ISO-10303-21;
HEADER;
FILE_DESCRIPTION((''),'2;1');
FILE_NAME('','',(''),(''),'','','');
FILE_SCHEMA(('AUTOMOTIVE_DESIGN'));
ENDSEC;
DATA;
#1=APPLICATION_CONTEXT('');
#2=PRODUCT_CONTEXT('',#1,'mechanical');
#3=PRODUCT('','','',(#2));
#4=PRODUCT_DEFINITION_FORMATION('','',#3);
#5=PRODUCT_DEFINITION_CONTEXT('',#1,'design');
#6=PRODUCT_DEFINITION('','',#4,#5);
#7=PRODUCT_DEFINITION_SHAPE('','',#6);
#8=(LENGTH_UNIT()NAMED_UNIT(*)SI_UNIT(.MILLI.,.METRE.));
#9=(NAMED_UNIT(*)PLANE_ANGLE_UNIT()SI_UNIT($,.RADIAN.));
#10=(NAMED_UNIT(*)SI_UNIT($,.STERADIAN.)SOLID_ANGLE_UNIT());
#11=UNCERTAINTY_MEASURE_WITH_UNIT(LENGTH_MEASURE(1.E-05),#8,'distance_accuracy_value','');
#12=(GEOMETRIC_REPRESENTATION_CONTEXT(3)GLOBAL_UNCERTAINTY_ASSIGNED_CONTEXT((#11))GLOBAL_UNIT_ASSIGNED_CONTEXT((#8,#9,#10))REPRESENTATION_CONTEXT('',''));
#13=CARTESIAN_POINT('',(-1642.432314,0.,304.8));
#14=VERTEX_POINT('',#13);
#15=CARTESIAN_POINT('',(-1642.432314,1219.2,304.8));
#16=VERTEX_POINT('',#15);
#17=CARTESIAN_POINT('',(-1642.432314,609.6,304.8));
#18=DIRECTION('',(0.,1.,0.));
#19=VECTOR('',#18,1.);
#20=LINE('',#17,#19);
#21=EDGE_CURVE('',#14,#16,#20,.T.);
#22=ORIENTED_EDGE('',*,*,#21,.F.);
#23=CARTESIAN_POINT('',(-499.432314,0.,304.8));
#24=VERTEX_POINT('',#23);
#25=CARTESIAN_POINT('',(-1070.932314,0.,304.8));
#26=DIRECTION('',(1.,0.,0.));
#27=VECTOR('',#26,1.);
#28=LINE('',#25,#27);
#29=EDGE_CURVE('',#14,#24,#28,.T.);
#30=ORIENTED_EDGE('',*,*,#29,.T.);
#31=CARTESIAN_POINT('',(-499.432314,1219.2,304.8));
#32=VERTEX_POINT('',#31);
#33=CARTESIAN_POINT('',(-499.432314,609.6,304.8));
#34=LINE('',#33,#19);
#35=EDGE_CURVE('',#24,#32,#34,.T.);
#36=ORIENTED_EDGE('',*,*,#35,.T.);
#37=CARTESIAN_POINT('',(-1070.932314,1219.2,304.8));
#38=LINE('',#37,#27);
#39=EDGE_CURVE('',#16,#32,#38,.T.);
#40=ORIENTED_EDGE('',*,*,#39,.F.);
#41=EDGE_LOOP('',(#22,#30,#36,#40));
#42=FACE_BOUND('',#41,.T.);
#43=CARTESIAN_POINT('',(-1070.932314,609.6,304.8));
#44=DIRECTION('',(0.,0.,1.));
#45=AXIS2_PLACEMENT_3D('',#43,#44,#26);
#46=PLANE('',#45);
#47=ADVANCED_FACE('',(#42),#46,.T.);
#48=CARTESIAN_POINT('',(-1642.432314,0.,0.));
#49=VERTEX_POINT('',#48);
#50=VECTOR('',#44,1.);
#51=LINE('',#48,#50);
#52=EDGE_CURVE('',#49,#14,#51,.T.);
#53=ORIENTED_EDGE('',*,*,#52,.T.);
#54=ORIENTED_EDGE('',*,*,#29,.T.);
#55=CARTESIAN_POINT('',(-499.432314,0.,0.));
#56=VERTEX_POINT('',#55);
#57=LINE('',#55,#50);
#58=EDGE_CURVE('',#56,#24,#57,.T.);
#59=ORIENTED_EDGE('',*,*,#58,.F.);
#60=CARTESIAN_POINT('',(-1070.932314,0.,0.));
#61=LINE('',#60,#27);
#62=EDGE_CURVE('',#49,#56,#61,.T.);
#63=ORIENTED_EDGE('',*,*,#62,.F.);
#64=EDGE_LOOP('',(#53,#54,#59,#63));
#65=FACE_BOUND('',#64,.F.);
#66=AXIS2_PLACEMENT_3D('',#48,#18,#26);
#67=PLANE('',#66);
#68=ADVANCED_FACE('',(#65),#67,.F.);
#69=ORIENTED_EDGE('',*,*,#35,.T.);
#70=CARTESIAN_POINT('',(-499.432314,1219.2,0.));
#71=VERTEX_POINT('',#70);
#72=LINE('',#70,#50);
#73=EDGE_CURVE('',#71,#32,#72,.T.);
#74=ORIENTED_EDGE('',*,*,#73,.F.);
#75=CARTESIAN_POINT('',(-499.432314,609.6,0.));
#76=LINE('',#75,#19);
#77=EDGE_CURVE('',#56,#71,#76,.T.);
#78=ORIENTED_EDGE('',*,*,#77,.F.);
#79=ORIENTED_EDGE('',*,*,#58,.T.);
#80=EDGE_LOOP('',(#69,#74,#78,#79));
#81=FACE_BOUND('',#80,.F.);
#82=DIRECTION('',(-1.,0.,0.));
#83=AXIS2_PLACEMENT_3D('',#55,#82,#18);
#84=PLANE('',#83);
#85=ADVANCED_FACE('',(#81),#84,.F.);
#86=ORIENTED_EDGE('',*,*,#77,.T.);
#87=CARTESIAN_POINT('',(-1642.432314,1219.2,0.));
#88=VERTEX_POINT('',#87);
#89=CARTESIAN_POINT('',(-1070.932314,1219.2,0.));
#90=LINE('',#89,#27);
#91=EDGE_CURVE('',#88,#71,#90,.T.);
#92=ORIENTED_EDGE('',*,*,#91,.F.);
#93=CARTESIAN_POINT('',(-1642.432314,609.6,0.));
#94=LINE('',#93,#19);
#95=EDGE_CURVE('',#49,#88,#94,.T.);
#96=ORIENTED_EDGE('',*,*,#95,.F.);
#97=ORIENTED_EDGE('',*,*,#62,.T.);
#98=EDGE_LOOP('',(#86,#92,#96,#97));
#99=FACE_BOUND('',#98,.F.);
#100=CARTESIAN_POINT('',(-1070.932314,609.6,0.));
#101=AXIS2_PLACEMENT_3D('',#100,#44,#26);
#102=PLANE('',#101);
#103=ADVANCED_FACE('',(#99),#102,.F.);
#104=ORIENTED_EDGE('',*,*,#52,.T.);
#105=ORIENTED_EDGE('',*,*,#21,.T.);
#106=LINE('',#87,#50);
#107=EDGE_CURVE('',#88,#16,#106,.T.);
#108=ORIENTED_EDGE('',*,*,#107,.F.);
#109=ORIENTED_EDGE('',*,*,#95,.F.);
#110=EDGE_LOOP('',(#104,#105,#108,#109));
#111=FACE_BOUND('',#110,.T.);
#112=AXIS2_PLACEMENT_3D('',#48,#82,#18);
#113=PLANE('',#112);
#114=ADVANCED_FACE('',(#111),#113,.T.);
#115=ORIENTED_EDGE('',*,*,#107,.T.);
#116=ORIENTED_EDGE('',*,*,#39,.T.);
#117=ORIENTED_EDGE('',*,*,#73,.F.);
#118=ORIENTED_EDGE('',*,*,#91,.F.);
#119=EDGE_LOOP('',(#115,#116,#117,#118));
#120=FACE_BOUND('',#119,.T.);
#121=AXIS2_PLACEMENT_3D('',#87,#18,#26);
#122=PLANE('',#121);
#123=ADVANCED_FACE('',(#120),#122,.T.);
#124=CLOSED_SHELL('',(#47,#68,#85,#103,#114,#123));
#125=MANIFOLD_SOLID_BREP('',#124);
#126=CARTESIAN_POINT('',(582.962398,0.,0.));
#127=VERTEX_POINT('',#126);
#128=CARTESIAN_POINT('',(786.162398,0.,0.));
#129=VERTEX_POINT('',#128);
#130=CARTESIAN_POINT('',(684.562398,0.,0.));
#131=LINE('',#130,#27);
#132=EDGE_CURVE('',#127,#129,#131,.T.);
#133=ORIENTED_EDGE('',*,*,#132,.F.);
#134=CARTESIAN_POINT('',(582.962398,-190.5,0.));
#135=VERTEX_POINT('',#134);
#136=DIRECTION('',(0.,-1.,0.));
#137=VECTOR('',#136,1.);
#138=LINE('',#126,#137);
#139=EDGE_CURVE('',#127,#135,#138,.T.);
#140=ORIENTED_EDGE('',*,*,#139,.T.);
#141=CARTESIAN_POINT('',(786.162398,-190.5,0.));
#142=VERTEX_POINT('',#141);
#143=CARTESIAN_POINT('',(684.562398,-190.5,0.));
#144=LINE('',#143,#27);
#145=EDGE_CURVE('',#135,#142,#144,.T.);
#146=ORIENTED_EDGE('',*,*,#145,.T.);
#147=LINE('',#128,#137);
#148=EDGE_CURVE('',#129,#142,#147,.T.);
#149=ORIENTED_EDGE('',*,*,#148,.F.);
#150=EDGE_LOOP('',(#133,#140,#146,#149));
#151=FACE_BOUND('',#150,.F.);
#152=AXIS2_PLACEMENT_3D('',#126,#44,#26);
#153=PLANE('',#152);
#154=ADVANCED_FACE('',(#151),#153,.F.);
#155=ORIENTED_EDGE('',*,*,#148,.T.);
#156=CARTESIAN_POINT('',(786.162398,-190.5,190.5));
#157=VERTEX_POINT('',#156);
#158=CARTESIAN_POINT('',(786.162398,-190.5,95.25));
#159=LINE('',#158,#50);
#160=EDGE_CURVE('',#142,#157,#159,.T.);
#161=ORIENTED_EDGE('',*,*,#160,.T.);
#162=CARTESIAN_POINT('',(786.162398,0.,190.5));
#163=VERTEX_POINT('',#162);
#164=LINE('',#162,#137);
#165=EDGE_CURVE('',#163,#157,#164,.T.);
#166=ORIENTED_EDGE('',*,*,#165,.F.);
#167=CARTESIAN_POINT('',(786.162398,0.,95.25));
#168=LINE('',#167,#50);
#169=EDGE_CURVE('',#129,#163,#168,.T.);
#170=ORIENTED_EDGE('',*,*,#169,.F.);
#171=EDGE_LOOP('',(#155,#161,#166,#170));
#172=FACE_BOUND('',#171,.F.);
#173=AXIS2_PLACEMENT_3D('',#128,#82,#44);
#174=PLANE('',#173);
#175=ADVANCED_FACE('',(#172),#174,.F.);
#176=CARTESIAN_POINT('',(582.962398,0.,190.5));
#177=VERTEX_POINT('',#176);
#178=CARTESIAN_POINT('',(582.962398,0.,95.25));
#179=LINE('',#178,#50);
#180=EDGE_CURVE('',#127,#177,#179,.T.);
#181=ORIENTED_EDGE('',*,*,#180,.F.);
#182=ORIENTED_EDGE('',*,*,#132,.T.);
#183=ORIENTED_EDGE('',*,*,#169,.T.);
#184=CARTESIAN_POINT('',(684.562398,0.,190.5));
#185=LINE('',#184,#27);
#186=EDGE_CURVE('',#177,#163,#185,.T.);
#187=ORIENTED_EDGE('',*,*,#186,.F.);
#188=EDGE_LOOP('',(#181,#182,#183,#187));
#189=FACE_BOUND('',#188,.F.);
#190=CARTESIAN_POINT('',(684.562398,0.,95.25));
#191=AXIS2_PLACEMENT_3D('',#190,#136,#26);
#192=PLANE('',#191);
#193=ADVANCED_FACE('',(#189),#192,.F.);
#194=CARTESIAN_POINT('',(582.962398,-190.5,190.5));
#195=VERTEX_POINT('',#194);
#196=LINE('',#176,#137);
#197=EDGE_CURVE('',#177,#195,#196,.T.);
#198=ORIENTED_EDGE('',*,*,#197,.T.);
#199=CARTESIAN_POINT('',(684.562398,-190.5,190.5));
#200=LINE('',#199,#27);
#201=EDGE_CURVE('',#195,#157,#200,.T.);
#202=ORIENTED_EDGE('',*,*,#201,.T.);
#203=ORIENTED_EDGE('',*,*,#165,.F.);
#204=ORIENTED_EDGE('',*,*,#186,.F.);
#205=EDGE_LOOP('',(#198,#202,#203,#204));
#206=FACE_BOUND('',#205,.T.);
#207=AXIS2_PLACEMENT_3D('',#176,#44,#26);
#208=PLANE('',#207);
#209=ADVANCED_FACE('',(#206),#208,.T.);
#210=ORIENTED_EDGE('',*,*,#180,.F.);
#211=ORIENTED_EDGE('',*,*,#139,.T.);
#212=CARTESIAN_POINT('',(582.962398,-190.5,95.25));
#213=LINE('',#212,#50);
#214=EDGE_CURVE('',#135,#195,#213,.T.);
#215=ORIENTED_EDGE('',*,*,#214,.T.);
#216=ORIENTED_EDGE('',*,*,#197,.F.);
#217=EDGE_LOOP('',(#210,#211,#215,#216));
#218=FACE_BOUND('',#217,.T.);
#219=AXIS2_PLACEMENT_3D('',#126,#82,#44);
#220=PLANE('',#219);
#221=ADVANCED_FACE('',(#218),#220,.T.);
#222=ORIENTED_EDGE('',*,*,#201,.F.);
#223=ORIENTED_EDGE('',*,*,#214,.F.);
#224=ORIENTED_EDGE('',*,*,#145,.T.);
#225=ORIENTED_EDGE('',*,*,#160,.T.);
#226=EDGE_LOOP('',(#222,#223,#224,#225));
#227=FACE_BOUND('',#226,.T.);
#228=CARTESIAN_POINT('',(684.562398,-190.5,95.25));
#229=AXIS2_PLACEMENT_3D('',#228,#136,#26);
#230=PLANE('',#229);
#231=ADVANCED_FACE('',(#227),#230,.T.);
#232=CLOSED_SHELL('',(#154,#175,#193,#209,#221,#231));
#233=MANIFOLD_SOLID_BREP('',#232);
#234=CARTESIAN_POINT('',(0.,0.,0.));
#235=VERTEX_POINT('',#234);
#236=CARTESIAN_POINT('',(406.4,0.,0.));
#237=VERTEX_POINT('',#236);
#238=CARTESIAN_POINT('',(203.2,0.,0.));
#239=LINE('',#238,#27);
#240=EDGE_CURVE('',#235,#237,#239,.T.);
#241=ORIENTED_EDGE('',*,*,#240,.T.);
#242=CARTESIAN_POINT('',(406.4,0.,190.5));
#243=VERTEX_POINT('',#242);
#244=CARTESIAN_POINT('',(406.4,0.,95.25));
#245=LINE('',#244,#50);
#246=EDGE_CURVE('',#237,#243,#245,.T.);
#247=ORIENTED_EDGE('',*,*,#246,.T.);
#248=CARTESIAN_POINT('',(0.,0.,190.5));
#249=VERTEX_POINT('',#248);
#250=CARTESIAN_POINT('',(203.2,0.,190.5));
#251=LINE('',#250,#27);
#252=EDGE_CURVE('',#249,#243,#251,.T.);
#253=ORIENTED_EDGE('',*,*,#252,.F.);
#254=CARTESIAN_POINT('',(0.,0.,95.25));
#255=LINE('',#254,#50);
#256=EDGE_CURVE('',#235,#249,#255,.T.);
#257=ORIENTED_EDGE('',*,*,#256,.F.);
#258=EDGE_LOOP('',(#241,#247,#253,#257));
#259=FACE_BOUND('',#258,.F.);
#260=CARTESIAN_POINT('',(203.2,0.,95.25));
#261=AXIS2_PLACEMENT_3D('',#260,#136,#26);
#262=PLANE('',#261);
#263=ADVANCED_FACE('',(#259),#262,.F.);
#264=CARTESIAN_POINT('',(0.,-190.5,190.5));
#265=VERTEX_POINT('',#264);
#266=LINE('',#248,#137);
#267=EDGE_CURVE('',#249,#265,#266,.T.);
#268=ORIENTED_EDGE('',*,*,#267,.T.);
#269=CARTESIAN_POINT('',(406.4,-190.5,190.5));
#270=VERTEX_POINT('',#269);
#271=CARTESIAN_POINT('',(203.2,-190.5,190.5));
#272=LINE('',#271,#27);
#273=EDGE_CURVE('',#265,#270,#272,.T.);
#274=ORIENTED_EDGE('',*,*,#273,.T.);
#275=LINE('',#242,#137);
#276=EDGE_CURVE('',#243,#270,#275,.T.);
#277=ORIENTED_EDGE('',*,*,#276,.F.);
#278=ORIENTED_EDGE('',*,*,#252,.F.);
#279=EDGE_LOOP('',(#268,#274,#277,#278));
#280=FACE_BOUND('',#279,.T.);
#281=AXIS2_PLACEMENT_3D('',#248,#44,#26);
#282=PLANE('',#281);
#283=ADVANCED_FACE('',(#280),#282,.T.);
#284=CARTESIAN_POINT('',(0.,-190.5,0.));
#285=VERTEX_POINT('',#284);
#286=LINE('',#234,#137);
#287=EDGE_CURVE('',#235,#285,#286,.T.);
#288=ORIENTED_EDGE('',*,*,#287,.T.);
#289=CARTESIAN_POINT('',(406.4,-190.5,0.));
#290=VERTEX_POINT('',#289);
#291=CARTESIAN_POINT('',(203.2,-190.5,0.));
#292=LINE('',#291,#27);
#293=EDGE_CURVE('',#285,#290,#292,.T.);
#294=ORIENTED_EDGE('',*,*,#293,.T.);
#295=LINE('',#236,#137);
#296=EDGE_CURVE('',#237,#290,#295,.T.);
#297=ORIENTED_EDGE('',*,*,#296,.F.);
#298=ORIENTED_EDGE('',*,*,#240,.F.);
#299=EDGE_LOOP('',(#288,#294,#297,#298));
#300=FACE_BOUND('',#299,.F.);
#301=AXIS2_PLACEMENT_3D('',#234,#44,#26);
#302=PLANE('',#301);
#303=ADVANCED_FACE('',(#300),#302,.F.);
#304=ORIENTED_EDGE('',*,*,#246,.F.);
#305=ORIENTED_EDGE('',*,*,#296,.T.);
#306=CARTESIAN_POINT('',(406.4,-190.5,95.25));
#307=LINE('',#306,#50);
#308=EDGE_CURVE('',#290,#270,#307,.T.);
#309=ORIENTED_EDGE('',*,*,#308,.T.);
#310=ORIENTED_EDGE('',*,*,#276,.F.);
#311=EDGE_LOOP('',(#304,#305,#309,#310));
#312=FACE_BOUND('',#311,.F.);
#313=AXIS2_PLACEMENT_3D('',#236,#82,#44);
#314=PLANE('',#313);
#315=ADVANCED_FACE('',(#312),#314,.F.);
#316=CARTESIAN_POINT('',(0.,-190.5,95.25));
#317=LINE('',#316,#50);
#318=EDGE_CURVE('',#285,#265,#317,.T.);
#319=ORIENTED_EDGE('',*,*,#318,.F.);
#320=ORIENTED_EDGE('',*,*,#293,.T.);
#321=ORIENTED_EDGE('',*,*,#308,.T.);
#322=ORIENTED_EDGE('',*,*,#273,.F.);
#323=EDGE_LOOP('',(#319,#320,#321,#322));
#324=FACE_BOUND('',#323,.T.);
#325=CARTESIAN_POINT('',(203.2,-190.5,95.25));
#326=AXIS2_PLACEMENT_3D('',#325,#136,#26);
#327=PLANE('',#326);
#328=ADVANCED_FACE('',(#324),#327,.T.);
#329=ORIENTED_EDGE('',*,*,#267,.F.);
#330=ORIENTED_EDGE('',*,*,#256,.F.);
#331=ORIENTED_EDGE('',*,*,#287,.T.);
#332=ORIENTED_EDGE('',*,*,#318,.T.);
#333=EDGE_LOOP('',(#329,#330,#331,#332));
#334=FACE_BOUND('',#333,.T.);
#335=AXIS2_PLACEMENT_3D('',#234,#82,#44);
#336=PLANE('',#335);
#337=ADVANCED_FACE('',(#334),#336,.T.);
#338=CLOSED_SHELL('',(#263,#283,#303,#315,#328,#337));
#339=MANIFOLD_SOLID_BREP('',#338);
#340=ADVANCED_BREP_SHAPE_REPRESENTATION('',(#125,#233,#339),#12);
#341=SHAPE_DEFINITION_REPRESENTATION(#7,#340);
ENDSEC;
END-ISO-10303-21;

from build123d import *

# Parameters (mm, degrees)
F0_W     = 406.4
F0_H     = 190.5
F1_DEPTH = 190.5
F2_W     = 203.2
F2_H     = 190.5
F3_DEPTH = 190.5
F4_W     = 1143
F4_H     = 1219.2
F5_DEPTH = 304.8


with BuildPart() as f1:
    # F0 (on Front) → F1 (new body)
    with BuildSketch(Plane.XZ):
        with Locations((203.2, 95.25)):
            Rectangle(F0_W, F0_H)
    extrude(amount=F1_DEPTH)


with BuildPart() as f3:
    # F2 (on Front) → F3 (new body)
    with BuildSketch(Plane.XZ):
        with Locations((684.562398, 95.25)):
            Rectangle(F2_W, F2_H)
    extrude(amount=F3_DEPTH)


with BuildPart() as f5:
    # F4 (on Top) → F5 (new body)
    with BuildSketch(Plane.XY):
        with Locations((-1070.932314, 609.6)):
            Rectangle(F4_W, F4_H)
    extrude(amount=F5_DEPTH)


solid = Compound([f1.part, f3.part, f5.part])
